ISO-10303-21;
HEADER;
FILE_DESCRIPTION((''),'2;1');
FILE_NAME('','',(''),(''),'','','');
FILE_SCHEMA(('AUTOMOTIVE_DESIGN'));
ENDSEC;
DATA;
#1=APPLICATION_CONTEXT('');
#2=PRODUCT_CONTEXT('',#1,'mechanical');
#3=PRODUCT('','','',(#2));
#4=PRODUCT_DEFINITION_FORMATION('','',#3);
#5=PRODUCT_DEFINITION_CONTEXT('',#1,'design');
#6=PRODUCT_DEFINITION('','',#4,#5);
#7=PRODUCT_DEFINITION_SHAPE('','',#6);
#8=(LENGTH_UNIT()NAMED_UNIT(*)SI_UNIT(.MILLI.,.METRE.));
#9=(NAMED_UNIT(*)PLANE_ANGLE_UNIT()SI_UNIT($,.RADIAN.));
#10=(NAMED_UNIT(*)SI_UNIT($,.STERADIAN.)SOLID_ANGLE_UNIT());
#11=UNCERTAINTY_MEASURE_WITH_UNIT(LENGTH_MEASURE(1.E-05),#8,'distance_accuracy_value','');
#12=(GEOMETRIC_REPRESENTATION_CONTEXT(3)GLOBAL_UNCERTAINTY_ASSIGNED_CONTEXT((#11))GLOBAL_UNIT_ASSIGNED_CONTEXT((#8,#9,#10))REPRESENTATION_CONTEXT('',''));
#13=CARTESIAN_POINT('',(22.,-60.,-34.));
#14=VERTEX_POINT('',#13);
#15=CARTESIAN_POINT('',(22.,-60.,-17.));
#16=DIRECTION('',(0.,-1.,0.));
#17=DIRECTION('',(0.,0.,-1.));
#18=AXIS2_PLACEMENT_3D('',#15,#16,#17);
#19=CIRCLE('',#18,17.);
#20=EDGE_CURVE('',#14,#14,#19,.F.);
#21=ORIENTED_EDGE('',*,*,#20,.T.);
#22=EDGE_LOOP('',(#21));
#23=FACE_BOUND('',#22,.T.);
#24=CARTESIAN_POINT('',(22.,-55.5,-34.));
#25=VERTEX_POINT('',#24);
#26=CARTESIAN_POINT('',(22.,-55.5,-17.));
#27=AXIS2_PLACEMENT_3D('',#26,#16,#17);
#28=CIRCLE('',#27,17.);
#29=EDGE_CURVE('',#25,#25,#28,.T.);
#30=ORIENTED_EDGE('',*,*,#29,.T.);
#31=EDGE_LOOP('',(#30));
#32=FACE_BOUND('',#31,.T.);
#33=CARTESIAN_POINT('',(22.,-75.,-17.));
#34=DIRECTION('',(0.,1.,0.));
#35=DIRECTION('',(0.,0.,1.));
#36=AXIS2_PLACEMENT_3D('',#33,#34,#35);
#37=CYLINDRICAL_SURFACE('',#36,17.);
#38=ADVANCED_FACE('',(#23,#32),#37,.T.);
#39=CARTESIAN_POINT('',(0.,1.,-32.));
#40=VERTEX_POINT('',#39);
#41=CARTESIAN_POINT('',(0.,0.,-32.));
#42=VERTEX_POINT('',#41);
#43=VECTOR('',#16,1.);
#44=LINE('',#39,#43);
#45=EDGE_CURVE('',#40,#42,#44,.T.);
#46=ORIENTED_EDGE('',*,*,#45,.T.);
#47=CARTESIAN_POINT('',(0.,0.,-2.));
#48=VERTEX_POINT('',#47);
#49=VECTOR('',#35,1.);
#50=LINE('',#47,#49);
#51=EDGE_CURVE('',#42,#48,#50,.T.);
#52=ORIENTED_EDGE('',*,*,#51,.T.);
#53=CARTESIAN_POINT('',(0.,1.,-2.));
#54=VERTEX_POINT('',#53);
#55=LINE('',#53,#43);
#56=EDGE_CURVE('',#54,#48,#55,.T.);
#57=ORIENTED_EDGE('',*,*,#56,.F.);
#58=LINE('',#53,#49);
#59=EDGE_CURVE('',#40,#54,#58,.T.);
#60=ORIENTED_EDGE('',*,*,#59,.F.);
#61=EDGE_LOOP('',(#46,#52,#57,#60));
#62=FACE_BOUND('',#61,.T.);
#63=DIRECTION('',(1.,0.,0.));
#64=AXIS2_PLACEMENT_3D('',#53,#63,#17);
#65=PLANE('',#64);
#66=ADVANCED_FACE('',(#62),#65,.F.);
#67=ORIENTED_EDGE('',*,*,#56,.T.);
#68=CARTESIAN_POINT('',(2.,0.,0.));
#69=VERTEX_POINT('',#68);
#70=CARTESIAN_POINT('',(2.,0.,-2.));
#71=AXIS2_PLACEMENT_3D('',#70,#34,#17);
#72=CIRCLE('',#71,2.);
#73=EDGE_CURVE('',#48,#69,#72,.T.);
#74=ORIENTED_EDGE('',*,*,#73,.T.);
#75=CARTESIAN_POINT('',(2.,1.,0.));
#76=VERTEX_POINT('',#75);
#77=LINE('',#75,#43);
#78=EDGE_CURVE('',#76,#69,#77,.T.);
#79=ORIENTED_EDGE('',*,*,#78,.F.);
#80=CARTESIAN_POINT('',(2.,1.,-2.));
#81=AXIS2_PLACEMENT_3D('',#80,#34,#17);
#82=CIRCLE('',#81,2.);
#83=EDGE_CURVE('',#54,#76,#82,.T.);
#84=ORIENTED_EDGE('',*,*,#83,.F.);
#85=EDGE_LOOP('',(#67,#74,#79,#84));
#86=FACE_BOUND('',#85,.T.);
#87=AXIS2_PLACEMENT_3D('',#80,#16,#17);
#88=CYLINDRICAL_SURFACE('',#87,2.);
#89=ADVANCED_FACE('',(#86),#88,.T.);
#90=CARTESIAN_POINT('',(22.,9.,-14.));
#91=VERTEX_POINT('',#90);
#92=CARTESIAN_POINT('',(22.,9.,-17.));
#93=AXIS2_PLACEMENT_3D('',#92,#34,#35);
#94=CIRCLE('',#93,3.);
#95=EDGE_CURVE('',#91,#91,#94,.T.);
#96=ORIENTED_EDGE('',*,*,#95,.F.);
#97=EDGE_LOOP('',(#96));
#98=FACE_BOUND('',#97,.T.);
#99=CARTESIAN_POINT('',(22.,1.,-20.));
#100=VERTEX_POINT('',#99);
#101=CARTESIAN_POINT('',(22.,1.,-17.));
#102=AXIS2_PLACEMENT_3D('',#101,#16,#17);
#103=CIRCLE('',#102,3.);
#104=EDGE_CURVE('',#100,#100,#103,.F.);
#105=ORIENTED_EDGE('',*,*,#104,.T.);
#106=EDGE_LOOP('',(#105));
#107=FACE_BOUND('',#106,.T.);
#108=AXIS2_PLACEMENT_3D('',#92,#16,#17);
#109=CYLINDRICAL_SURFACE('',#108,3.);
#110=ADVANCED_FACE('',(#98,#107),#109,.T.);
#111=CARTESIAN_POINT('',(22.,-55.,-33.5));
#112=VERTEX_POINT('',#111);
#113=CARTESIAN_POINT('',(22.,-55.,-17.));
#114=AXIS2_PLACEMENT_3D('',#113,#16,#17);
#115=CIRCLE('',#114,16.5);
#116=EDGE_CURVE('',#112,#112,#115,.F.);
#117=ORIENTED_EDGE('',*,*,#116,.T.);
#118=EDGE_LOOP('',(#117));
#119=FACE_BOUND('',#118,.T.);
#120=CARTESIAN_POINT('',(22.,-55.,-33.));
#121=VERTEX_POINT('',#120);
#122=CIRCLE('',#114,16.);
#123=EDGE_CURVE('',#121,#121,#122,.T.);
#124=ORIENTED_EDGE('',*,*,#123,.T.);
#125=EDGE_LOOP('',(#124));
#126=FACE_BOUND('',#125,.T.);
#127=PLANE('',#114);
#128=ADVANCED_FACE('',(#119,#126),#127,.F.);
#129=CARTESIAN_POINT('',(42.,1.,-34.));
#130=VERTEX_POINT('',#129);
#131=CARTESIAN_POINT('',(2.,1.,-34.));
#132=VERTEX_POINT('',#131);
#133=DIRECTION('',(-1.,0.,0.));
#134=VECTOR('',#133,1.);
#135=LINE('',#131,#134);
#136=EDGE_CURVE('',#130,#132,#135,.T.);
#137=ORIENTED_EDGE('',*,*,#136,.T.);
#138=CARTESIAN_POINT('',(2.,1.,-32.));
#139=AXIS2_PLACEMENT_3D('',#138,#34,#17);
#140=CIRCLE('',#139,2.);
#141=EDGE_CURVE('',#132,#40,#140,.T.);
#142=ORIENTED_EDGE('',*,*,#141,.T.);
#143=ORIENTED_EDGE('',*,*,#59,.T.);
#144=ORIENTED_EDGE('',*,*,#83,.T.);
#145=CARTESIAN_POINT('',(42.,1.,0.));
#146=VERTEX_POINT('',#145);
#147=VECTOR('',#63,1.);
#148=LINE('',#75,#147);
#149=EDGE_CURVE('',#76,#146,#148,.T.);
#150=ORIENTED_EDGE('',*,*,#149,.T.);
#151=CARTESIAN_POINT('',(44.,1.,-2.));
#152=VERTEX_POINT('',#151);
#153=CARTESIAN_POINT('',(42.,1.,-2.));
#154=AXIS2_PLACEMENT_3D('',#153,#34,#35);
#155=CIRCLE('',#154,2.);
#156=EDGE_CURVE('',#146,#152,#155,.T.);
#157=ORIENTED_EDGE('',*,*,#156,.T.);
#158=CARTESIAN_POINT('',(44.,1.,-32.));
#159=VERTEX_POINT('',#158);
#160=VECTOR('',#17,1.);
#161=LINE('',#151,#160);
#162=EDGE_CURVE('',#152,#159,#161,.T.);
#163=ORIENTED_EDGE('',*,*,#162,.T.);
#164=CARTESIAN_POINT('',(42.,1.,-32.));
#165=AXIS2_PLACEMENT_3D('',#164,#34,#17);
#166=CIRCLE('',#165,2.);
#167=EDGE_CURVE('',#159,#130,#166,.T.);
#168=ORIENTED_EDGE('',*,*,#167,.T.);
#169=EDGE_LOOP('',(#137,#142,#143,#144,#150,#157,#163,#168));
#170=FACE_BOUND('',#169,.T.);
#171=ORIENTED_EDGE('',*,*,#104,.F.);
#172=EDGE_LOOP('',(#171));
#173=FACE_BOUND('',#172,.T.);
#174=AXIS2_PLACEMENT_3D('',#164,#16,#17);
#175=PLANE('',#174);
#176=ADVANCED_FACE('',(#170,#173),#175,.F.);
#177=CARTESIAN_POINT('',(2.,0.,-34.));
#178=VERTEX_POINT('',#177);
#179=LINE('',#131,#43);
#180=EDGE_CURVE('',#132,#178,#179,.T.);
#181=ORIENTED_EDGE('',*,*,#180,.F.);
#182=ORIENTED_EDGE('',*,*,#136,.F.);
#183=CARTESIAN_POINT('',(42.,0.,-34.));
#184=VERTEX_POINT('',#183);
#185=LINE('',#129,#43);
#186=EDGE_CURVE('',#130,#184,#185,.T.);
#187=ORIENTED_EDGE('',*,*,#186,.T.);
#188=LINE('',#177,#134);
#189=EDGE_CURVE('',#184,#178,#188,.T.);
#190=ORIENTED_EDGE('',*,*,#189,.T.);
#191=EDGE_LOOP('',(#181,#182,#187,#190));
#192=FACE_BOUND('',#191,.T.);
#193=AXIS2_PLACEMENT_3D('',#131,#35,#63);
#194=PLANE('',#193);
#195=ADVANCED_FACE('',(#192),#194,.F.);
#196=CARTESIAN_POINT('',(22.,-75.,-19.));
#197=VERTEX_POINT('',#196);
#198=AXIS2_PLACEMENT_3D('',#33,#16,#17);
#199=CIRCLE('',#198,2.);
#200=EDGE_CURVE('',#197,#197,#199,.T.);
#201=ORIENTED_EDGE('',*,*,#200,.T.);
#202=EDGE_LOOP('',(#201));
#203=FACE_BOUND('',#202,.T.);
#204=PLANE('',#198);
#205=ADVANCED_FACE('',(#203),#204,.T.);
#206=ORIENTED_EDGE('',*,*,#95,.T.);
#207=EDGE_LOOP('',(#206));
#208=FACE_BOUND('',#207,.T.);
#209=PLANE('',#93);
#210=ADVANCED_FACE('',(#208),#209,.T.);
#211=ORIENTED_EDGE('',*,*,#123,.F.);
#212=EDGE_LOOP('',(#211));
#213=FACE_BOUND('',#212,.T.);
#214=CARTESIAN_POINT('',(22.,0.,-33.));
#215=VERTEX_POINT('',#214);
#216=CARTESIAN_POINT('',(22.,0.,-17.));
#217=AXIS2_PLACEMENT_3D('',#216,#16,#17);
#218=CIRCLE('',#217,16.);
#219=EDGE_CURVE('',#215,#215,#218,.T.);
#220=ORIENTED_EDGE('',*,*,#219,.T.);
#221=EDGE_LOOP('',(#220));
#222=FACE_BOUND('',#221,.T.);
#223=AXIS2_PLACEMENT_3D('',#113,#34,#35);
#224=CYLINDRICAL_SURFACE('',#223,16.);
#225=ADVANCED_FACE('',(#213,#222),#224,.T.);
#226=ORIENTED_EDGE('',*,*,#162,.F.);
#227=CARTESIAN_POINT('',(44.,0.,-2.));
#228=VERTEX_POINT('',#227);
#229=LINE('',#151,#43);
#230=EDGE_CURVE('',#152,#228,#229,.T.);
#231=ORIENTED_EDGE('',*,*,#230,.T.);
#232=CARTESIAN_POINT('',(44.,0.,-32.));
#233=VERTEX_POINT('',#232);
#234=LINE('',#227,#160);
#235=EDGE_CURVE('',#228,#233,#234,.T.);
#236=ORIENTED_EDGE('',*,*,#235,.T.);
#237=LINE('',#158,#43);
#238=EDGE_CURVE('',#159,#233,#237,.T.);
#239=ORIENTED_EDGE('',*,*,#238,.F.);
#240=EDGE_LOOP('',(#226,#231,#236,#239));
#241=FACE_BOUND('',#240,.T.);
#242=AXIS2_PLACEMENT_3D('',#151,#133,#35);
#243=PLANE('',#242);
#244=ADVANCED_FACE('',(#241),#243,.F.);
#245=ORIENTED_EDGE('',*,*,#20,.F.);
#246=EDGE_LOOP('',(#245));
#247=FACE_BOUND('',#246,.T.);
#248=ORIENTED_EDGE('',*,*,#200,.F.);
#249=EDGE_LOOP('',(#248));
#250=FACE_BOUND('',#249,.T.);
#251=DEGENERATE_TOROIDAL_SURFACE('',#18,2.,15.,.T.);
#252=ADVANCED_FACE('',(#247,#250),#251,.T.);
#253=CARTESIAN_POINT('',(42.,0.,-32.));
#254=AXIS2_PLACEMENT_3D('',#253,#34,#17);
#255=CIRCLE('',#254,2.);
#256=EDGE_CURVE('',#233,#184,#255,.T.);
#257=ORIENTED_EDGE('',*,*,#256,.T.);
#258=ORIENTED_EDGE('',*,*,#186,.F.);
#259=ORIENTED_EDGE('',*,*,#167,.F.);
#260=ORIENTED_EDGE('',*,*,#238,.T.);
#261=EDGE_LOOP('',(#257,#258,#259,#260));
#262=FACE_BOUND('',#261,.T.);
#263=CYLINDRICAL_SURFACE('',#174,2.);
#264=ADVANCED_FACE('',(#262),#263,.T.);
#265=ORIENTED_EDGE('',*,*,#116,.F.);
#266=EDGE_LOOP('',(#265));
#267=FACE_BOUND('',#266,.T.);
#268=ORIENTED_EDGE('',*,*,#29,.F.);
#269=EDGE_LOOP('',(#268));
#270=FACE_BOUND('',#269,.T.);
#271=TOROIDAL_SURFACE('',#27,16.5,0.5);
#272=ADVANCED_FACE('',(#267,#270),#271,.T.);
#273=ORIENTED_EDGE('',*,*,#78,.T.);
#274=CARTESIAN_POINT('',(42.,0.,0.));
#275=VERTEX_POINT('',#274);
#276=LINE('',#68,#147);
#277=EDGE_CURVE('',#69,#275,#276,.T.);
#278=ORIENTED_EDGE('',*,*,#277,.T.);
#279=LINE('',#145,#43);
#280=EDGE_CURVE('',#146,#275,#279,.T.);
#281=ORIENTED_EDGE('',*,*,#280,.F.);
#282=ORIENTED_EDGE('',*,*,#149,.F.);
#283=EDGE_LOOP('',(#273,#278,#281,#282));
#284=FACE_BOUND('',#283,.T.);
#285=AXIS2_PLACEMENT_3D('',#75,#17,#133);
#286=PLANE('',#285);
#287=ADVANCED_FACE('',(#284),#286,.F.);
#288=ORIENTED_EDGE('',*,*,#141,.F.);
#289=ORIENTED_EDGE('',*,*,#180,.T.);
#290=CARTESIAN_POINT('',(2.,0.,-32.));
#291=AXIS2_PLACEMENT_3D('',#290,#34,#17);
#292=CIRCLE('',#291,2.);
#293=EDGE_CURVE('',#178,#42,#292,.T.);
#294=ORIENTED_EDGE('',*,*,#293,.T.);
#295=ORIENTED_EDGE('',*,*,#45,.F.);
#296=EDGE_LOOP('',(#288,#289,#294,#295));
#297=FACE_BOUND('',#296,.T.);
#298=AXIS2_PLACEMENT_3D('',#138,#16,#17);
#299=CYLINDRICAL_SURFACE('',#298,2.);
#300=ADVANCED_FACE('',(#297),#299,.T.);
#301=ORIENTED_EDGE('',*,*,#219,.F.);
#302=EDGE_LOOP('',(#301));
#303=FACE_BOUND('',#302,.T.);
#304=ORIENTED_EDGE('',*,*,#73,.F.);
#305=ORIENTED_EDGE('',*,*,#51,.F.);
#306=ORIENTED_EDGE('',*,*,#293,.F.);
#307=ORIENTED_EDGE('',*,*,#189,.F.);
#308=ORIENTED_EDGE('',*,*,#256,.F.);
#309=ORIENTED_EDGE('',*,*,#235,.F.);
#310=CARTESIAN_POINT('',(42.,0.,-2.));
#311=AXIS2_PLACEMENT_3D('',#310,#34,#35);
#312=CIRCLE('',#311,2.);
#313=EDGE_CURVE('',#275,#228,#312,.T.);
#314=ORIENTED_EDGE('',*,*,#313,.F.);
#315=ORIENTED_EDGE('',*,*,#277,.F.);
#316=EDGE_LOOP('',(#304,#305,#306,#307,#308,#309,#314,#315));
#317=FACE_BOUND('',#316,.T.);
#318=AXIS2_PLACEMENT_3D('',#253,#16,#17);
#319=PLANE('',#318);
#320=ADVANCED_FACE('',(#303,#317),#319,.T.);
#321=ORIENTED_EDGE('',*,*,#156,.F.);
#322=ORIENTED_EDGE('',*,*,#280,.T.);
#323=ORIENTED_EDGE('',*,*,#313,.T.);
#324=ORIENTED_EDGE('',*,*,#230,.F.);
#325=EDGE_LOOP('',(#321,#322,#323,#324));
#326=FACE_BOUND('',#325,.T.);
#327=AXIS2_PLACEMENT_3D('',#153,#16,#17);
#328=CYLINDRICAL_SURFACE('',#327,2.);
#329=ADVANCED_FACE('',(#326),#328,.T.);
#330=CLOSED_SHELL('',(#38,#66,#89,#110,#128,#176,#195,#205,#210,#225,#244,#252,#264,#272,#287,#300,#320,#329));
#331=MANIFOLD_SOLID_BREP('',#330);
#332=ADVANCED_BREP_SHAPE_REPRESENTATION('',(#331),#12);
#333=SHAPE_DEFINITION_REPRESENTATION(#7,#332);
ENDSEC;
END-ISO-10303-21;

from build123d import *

# Parameters (mm, degrees)
BOSS_EXTRU_1_DEPTH = 1
ESQUISSE2_R        = 16
BOSS_EXTRU_2_DEPTH = 55
ESQUISSE3_R        = 17
BOSS_EXTRU_3_DEPTH = 20
CONG_1_R           = 15
CONG_2_R           = 0.5
ESQUISSE4_R        = 3
BOSS_EXTRU_4_DEPTH = 8


with BuildPart() as part:
    # Esquisse1 → Boss.-Extru.1 (new body)
    with BuildSketch(Plane(origin=(0, 0, 0), x_dir=(1, 0, 0), z_dir=(0, 1, 0))):
        with BuildLine():
            Line((2, 0), (42, 0))
            ThreePointArc((42, 0), (43.414213562, 0.585786438), (44, 2))
            Line((44, 2), (44, 32))
            ThreePointArc((44, 32), (43.414213562, 33.414213562), (42, 34))
            Line((42, 34), (2, 34))
            ThreePointArc((2, 34), (0.585786438, 33.414213562), (0, 32))
            Line((0, 32), (0, 2))
            ThreePointArc((0, 2), (0.585786438, 0.585786438), (2, 0))
        make_face()
    extrude(amount=BOSS_EXTRU_1_DEPTH)

    # Esquisse2 → Boss.-Extru.2 (add)
    with BuildSketch(Plane.XZ):
        with Locations(Location((22, -17, 0), (0, 0, 270))):
            Circle(ESQUISSE2_R)
    extrude(amount=BOSS_EXTRU_2_DEPTH)

    # Esquisse3 → Boss.-Extru.3 (add)
    with BuildSketch(Plane.XZ.offset(55)):
        with Locations(Location((22, -17, 0), (0, 0, 270))):
            Circle(ESQUISSE3_R)
    extrude(amount=BOSS_EXTRU_3_DEPTH)

    # Congé1
    cong_1_edges = [part.edges().sort_by_distance(p)[0] for p in [
        (22, -75, 0),
    ]]
    fillet(cong_1_edges, radius=CONG_1_R)

    # Congé2
    cong_2_edges = [part.edges().sort_by_distance(p)[0] for p in [
        (22, -55, 0),
    ]]
    fillet(cong_2_edges, radius=CONG_2_R)

    # Esquisse4 → Boss.-Extru.4 (add)
    with BuildSketch(Plane(origin=(0, 1, 0), x_dir=(1, 0, 0), z_dir=(0, 1, 0))):
        with Locations(Location((22, 17, 0), (0, 0, 90))):
            Circle(ESQUISSE4_R)
    extrude(amount=BOSS_EXTRU_4_DEPTH)


solid = part.part
